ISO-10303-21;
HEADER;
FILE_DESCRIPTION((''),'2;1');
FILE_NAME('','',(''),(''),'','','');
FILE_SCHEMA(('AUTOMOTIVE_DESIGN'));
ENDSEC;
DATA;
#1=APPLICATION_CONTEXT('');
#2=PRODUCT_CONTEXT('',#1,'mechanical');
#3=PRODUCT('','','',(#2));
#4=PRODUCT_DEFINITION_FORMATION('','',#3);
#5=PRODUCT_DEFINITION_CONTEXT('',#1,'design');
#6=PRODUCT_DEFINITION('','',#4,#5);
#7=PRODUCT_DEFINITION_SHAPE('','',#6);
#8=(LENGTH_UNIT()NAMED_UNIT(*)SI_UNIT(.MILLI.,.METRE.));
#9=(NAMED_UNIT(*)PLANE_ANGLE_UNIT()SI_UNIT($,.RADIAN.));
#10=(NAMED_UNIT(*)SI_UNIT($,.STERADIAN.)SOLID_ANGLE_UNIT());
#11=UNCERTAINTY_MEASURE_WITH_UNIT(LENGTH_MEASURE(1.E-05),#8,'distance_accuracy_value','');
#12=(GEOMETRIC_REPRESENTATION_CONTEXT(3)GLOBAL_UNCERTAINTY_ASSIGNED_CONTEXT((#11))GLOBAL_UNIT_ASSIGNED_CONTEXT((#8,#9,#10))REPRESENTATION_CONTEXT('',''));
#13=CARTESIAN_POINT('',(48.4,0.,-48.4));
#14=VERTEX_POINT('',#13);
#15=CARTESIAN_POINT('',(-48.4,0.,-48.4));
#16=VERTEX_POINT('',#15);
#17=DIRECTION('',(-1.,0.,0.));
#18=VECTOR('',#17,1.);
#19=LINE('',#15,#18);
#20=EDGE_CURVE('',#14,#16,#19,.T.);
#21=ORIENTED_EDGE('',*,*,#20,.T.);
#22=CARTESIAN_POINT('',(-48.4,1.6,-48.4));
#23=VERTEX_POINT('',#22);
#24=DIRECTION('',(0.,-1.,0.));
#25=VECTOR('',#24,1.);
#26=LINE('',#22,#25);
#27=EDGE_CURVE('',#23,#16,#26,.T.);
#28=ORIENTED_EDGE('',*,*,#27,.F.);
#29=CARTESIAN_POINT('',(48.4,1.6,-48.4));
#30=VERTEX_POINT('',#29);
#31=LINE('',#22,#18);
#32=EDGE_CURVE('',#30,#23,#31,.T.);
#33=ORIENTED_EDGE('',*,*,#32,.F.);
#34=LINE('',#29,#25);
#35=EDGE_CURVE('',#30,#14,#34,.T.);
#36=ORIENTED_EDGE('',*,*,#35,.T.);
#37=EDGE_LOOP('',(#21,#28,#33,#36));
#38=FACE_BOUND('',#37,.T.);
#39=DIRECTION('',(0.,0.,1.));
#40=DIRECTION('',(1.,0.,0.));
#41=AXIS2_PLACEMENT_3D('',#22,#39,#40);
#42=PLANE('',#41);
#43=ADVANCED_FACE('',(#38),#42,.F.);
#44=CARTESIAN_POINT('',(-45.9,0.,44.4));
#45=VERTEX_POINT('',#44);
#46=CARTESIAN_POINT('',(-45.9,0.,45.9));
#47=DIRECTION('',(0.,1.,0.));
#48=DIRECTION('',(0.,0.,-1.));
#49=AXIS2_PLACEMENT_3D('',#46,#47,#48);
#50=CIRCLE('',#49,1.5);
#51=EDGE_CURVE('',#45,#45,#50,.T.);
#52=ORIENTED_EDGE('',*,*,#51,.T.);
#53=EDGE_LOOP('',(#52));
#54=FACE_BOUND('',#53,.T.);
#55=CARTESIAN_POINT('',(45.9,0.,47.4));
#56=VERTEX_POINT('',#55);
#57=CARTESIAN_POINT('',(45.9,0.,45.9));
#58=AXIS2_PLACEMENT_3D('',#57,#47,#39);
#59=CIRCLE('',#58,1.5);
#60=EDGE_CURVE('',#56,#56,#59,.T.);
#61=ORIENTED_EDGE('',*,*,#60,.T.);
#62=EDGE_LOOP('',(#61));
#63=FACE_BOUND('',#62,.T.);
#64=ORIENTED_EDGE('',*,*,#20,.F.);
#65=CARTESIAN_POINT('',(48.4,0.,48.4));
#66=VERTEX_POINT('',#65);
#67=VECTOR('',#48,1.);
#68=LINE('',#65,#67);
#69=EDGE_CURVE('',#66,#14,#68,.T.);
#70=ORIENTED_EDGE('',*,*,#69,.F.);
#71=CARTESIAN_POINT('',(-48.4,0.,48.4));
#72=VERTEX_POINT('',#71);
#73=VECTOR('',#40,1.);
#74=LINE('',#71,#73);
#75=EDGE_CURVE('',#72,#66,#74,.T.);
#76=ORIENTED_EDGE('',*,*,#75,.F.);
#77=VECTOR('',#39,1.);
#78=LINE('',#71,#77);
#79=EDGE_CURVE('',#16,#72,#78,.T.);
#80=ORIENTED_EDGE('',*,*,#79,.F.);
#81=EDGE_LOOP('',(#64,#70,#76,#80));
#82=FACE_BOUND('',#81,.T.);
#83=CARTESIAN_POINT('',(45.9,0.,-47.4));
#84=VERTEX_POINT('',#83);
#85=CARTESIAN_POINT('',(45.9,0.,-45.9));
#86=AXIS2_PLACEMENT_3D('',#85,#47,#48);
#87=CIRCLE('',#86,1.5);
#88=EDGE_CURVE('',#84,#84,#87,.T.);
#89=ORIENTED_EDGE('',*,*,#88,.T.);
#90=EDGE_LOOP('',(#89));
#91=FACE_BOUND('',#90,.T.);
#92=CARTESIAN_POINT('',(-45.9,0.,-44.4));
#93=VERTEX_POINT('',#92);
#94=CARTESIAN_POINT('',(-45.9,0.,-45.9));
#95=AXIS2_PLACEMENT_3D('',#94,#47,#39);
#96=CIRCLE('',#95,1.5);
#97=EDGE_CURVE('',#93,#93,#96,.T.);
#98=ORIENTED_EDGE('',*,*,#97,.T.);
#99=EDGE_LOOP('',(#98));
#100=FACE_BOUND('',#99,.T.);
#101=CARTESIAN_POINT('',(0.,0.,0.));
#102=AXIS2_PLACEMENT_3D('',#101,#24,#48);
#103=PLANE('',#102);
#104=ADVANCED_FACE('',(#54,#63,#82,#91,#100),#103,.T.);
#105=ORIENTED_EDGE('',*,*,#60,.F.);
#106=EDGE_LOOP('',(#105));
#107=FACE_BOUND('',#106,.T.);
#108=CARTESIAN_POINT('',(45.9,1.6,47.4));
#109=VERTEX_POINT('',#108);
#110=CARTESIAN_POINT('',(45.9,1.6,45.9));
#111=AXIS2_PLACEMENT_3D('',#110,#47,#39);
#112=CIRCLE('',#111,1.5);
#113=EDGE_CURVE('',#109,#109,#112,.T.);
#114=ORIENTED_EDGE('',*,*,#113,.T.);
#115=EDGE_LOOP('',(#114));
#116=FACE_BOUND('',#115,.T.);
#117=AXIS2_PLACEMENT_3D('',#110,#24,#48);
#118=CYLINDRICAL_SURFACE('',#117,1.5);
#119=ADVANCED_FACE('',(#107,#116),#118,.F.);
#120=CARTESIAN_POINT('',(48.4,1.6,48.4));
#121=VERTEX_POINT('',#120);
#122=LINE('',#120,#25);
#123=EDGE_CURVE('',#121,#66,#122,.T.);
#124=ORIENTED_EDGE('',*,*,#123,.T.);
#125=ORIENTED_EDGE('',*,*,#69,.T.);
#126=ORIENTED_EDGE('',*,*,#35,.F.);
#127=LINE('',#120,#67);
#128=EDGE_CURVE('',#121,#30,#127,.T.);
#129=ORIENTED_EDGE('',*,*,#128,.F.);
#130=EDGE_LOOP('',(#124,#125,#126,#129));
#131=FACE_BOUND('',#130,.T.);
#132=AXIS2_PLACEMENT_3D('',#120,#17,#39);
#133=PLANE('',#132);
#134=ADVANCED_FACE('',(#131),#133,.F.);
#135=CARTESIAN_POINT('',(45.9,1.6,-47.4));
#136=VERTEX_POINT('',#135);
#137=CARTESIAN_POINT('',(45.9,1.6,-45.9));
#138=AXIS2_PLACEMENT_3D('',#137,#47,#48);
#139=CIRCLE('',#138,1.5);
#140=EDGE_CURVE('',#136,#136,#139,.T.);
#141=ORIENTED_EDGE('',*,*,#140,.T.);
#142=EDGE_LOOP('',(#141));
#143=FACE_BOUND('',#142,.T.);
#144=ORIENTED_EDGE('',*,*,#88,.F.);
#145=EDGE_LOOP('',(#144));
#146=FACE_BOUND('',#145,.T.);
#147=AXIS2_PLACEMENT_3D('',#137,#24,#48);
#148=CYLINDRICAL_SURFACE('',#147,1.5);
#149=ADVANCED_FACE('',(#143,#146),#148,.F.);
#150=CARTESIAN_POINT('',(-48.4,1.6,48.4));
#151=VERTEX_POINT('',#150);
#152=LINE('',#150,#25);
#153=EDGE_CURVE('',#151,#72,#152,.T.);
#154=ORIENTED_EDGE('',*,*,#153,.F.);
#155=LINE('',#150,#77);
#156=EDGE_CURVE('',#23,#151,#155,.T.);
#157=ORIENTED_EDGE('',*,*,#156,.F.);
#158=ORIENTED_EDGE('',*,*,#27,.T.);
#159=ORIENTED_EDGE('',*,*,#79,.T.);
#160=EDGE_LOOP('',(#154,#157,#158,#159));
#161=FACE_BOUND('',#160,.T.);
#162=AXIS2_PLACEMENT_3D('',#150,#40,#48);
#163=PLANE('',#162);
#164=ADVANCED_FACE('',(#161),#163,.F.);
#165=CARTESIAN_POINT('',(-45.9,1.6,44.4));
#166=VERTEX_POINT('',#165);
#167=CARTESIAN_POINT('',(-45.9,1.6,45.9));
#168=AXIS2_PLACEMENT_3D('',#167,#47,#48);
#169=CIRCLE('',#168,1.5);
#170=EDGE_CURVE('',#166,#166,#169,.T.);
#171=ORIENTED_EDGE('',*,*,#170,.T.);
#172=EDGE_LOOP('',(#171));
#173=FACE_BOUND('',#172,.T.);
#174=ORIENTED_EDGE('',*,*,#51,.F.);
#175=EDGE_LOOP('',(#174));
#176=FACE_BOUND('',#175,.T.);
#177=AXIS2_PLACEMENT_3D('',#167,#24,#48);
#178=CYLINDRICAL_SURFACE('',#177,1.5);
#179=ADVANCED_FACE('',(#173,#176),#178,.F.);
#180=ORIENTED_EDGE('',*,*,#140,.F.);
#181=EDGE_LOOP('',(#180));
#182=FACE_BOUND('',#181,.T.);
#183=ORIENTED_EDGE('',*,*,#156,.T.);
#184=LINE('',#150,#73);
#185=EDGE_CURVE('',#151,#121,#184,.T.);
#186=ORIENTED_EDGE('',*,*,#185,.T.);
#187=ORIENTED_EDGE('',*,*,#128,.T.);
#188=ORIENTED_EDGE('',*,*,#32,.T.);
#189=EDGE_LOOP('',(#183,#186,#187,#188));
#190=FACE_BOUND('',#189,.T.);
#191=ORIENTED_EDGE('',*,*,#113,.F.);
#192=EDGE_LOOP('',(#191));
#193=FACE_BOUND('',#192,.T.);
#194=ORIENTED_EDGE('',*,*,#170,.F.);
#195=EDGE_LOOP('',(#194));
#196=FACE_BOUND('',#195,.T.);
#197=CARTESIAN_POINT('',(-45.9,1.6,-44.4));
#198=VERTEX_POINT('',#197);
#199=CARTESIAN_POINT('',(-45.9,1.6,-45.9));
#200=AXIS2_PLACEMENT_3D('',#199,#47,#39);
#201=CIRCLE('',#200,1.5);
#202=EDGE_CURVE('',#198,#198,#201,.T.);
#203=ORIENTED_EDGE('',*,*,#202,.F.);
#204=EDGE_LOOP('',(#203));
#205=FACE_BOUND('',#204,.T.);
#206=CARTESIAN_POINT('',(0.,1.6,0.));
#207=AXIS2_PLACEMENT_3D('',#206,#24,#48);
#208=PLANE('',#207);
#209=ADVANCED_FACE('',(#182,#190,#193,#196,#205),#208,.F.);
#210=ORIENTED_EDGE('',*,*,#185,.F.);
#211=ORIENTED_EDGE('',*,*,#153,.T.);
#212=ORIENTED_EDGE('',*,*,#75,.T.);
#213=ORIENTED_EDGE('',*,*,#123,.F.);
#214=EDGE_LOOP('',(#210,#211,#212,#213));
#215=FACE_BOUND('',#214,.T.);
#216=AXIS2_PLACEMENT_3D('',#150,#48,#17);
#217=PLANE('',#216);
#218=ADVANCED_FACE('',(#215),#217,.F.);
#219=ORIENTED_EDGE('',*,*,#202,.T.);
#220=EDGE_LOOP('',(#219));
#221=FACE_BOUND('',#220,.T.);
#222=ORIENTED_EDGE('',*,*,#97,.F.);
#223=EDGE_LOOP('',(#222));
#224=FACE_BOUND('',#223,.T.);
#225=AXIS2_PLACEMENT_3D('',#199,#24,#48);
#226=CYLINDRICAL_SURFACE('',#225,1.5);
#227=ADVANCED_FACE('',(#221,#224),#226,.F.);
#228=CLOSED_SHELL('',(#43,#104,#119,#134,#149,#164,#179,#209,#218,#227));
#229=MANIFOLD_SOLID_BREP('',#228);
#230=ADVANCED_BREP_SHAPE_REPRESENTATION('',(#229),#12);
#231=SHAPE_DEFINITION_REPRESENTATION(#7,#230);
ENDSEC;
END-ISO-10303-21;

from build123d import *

# Parameters (mm, degrees)
SKETCH1_W           = 96.8
SKETCH1_H           = 96.8
SKETCH1_R           = 1.5
BOSS_EXTRUDE1_DEPTH = 1.6


with BuildPart() as part:
    # Sketch1 → Boss-Extrude1 (new body)
    with BuildSketch(Plane(origin=(0, 0, 0), x_dir=(1, 0, 0), z_dir=(0, 1, 0))):
        Rectangle(SKETCH1_W, SKETCH1_H)
        with Locations(Location((-45.9, 45.9, 0), (0, 0, 270))):
            Circle(SKETCH1_R, mode=Mode.SUBTRACT)
        with Locations(Location((-45.9, -45.9, 0), (0, 0, 90))):
            Circle(SKETCH1_R, mode=Mode.SUBTRACT)
        with Locations(Location((45.9, -45.9, 0), (0, 0, 270))):
            Circle(SKETCH1_R, mode=Mode.SUBTRACT)
        with Locations(Location((45.9, 45.9, 0), (0, 0, 90))):
            Circle(SKETCH1_R, mode=Mode.SUBTRACT)
    extrude(amount=BOSS_EXTRUDE1_DEPTH)


solid = part.part
